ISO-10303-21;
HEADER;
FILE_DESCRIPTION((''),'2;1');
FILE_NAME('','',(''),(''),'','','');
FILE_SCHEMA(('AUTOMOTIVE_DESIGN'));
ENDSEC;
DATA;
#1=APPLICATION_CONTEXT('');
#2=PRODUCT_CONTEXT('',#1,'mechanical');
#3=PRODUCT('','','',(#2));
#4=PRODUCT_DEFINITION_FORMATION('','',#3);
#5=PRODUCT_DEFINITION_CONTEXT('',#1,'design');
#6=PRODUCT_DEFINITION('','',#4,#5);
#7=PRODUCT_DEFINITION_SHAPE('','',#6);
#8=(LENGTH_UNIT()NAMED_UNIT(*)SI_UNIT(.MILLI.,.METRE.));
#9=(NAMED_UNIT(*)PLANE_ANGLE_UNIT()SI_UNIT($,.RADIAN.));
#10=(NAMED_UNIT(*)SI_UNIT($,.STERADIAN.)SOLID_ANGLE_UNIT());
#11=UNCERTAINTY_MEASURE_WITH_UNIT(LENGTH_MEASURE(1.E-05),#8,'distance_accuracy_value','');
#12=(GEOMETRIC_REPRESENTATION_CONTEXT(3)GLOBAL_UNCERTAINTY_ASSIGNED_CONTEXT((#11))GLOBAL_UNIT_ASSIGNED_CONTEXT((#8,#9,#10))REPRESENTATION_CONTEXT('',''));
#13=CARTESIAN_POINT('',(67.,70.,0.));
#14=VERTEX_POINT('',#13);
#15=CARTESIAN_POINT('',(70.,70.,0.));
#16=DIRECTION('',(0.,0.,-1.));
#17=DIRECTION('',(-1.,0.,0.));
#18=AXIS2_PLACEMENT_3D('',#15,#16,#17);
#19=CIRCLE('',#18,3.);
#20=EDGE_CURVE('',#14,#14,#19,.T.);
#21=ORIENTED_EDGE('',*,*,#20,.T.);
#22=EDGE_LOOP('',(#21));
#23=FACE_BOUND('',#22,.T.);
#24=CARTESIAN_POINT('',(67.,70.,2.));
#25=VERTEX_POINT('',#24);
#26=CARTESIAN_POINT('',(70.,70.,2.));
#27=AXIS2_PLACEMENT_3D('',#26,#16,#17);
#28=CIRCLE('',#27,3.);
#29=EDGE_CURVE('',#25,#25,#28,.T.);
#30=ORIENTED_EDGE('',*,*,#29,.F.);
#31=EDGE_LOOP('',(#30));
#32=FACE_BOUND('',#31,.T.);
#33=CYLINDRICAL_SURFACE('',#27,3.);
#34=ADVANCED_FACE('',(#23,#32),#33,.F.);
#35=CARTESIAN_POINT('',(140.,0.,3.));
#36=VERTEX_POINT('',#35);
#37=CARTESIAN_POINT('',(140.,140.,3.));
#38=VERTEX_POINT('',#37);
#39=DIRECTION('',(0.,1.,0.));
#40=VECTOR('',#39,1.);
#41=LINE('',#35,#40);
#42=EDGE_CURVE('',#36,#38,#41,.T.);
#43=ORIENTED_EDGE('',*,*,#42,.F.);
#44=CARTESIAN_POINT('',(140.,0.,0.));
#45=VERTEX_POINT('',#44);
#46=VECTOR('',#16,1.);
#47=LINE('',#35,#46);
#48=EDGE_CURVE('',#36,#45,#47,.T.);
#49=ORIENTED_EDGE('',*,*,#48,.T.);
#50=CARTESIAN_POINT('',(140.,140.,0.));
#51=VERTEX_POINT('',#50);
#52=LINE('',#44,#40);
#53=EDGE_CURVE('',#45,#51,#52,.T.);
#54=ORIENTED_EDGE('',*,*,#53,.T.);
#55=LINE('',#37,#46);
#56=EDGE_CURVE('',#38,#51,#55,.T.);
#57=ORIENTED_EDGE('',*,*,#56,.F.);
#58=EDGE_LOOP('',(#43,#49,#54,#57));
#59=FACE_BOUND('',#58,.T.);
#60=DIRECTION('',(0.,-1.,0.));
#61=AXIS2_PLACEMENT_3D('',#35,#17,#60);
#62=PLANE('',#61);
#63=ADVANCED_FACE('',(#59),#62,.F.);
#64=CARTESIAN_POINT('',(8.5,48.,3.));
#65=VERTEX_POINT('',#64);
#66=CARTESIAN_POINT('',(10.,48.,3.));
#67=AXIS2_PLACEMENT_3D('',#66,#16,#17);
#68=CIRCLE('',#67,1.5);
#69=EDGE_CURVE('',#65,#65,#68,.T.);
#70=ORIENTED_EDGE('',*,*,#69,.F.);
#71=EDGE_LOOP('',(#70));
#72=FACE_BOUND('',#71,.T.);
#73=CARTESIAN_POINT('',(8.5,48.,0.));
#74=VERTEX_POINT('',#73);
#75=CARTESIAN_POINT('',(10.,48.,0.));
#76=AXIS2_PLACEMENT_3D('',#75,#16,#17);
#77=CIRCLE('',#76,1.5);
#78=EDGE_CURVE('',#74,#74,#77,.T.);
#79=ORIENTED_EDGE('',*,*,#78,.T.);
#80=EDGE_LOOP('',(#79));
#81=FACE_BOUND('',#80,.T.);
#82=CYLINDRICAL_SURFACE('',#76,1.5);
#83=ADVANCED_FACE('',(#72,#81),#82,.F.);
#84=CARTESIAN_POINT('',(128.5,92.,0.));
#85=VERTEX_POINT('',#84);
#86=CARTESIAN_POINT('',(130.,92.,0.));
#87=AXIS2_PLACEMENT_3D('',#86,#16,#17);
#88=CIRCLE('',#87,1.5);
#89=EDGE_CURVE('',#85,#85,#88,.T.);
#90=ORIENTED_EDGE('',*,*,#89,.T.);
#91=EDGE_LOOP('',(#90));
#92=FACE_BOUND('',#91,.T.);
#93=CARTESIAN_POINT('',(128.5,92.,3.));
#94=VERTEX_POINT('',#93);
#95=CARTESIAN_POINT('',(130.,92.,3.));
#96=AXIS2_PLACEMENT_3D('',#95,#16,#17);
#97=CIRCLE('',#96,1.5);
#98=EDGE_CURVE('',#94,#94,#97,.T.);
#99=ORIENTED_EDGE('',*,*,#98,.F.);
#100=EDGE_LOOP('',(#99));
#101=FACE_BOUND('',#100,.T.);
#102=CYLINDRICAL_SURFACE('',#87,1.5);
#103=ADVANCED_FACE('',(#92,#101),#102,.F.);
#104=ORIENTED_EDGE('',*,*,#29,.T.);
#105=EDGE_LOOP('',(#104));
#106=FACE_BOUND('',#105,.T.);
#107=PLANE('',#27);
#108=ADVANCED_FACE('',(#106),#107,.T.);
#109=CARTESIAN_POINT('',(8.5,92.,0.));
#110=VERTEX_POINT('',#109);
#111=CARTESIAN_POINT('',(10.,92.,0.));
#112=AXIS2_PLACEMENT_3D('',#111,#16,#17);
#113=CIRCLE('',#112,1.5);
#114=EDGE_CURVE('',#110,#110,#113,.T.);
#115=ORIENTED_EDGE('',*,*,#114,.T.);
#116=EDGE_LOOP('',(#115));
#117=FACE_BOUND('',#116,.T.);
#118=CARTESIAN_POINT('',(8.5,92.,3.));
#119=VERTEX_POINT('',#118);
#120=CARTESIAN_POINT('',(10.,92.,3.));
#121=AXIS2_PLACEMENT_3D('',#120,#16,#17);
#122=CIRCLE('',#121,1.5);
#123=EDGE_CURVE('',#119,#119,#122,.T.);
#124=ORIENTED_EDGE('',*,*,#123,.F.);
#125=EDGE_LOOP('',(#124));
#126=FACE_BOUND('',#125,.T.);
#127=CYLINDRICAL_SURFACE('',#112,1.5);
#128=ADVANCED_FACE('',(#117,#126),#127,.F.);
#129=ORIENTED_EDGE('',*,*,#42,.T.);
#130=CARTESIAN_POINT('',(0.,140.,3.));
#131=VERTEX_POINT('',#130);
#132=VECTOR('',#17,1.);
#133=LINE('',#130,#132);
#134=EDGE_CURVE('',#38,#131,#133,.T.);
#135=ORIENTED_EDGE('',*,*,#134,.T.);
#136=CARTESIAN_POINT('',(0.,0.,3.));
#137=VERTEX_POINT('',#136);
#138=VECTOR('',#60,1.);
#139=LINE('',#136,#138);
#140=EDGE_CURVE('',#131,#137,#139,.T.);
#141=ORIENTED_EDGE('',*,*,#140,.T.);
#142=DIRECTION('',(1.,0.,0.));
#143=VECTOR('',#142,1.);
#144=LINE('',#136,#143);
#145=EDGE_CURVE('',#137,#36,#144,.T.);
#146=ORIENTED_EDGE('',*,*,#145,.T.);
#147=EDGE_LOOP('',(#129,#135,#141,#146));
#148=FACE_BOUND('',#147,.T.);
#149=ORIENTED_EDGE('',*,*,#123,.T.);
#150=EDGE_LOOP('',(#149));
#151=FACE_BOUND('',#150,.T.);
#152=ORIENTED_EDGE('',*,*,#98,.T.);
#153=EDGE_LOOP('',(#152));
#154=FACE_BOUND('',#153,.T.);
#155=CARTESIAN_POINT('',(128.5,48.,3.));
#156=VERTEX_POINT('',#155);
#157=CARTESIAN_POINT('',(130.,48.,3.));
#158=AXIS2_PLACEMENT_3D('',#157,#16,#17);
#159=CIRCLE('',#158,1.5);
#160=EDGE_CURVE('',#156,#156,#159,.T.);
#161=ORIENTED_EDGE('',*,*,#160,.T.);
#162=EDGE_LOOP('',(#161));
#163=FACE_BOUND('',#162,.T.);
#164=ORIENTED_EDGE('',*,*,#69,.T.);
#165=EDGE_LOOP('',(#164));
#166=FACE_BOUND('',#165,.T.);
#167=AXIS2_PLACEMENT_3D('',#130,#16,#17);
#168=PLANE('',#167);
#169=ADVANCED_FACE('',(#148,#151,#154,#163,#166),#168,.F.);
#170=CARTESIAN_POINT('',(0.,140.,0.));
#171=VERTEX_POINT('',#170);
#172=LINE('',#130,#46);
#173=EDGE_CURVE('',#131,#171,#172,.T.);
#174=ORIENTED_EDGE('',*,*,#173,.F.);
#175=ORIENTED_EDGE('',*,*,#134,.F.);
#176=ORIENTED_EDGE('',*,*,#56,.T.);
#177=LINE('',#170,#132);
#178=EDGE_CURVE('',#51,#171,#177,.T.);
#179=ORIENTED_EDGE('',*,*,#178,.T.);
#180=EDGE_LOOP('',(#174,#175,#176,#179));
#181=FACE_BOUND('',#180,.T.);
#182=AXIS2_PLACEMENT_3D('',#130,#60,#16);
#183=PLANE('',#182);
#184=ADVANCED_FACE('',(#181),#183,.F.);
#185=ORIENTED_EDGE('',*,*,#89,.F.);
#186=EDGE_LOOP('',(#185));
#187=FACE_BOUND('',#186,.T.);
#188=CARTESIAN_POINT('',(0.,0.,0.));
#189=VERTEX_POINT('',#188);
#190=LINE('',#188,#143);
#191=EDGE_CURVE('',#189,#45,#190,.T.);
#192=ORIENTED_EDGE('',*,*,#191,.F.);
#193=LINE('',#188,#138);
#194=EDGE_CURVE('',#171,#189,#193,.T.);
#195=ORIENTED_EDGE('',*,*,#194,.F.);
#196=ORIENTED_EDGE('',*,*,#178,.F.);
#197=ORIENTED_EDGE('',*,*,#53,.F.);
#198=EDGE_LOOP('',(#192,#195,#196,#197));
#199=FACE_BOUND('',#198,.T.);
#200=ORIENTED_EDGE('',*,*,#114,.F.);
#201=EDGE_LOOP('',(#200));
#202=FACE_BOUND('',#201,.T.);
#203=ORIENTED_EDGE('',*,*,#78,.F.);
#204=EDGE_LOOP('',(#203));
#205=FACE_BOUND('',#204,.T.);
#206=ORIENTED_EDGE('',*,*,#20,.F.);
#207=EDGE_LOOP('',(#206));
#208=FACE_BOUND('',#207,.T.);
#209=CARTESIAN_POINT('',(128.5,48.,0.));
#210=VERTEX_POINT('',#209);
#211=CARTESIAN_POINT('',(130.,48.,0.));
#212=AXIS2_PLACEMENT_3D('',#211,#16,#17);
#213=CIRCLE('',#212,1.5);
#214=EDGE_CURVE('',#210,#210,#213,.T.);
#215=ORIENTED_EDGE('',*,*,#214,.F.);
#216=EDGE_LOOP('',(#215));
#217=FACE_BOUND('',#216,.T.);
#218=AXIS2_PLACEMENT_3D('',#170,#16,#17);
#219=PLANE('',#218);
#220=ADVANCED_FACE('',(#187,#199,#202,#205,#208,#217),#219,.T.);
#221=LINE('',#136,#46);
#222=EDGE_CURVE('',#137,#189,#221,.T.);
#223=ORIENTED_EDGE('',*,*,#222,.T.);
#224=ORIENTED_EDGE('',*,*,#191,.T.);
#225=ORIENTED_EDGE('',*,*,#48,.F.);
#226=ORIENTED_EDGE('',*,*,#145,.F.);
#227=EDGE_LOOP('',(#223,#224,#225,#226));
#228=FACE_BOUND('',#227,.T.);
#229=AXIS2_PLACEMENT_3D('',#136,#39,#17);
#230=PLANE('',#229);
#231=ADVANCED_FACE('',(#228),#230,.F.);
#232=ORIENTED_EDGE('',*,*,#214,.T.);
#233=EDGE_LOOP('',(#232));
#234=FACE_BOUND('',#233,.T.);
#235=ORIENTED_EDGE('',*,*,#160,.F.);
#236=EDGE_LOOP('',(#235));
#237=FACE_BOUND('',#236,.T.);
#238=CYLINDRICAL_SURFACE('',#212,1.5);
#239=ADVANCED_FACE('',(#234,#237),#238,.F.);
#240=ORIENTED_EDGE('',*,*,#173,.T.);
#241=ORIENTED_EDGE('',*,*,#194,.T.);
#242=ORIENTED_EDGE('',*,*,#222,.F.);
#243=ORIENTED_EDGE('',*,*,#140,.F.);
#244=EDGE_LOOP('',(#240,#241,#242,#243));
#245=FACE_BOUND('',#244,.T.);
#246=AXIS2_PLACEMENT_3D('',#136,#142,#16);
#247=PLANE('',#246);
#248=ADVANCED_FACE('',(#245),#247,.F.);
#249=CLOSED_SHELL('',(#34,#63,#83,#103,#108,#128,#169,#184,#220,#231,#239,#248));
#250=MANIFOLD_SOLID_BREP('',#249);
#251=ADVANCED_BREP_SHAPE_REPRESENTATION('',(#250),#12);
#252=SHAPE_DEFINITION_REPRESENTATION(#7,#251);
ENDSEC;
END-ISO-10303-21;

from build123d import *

# Parameters (mm, degrees)
SKETCH1_W             = 140
SKETCH1_H             = 140
BOSS_EXTRUDE1_DEPTH   = 3
M3X0_5_TAPPED_HOLE1_D = 3
SKETCH8_R             = 3
CUT_EXTRUDE2_DEPTH    = 2


with BuildPart() as part:
    # Sketch1 → Boss-Extrude1 (new body)
    with BuildSketch(Plane.XY):
        with Locations((70, 70)):
            Rectangle(SKETCH1_W, SKETCH1_H)
    extrude(amount=BOSS_EXTRUDE1_DEPTH)

    # M3x0.5 Tapped Hole1 (through all)
    with Locations(Plane(origin=(0, 0, 0), x_dir=(-1, 0, 0), z_dir=(0, 0, -1))):
        with Locations((-130, 92), (-130, 48), (-10, 92), (-10, 48)):
            Hole(M3X0_5_TAPPED_HOLE1_D / 2)

    # Sketch8 → Cut-Extrude2 (cut)
    with BuildSketch(Plane(origin=(0, 0, 0), x_dir=(-1, 0, 0), z_dir=(0, 0, -1))):
        with Locations((-70, 70)):
            Circle(SKETCH8_R)
    extrude(amount=-CUT_EXTRUDE2_DEPTH, mode=Mode.SUBTRACT)


solid = part.part
